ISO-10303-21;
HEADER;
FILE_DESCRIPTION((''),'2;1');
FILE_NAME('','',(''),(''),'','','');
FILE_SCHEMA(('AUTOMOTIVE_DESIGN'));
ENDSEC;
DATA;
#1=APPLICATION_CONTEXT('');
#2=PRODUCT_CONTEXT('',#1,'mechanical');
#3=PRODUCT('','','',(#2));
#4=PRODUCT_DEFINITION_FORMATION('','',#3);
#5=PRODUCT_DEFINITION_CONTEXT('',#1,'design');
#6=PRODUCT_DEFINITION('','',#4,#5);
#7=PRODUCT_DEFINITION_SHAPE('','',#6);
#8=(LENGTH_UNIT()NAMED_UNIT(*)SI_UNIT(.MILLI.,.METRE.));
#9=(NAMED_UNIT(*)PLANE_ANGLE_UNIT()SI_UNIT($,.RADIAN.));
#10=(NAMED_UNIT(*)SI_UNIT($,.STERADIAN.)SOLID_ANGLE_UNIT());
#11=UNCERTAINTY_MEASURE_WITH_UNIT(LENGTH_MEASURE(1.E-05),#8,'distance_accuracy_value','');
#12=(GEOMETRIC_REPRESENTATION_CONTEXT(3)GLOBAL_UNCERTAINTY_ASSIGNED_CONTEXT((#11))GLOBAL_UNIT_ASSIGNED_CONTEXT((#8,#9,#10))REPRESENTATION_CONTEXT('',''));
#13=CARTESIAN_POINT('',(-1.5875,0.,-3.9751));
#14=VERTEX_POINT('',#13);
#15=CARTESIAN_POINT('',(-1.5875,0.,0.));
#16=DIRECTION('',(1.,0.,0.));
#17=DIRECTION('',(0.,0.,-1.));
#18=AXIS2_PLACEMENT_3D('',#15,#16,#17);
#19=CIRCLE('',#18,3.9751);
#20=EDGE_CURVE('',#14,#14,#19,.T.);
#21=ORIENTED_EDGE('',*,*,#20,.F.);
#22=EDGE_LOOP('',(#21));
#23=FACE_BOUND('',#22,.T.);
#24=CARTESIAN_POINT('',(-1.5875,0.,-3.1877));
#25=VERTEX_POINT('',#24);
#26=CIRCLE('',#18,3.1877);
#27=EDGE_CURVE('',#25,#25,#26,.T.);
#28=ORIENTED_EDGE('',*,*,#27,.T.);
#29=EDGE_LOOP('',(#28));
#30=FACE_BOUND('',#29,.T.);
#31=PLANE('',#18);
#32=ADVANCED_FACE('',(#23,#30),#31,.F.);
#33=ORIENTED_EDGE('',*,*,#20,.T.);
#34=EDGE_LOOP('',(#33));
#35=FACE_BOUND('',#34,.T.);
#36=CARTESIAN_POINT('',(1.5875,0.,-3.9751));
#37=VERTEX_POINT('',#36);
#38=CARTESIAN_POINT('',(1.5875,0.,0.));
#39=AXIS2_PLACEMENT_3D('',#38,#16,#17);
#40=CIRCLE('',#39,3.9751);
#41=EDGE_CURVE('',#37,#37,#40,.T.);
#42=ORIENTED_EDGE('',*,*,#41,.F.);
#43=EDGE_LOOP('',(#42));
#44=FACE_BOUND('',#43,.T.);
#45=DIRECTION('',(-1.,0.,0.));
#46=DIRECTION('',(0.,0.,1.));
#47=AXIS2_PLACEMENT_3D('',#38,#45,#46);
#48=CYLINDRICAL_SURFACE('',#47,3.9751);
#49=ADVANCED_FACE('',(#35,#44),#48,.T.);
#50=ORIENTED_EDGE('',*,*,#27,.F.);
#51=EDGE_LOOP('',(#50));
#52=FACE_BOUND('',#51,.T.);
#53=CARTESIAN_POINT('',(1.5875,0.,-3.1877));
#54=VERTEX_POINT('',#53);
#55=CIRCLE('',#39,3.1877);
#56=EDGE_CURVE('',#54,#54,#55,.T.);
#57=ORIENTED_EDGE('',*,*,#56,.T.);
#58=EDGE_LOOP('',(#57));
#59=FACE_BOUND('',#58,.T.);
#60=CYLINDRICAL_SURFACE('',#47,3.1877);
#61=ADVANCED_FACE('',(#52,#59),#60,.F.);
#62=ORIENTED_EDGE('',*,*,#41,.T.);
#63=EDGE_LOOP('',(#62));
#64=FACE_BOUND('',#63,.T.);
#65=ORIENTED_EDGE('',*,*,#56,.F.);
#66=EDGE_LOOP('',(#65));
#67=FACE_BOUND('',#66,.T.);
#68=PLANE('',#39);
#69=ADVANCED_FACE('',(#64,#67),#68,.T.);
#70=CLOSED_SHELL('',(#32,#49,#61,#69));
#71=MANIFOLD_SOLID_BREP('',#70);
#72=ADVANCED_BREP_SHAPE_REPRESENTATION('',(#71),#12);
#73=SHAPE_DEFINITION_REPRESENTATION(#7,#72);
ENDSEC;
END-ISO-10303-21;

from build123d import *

# Parameters (mm, degrees)
SKETCH1_R           = 3.9751
SKETCH1_R_2         = 3.1877
BOSS_EXTRUDE1_DEPTH = 1.5875


with BuildPart() as part:
    # Sketch1 → Boss-Extrude1 (new body, symmetric)
    with BuildSketch(Plane(origin=(0, 0, 0), x_dir=(0, 0, -1), z_dir=(1, 0, 0))):
        Circle(SKETCH1_R)
        Circle(SKETCH1_R_2, mode=Mode.SUBTRACT)
    extrude(amount=BOSS_EXTRUDE1_DEPTH, both=True)


solid = part.part
